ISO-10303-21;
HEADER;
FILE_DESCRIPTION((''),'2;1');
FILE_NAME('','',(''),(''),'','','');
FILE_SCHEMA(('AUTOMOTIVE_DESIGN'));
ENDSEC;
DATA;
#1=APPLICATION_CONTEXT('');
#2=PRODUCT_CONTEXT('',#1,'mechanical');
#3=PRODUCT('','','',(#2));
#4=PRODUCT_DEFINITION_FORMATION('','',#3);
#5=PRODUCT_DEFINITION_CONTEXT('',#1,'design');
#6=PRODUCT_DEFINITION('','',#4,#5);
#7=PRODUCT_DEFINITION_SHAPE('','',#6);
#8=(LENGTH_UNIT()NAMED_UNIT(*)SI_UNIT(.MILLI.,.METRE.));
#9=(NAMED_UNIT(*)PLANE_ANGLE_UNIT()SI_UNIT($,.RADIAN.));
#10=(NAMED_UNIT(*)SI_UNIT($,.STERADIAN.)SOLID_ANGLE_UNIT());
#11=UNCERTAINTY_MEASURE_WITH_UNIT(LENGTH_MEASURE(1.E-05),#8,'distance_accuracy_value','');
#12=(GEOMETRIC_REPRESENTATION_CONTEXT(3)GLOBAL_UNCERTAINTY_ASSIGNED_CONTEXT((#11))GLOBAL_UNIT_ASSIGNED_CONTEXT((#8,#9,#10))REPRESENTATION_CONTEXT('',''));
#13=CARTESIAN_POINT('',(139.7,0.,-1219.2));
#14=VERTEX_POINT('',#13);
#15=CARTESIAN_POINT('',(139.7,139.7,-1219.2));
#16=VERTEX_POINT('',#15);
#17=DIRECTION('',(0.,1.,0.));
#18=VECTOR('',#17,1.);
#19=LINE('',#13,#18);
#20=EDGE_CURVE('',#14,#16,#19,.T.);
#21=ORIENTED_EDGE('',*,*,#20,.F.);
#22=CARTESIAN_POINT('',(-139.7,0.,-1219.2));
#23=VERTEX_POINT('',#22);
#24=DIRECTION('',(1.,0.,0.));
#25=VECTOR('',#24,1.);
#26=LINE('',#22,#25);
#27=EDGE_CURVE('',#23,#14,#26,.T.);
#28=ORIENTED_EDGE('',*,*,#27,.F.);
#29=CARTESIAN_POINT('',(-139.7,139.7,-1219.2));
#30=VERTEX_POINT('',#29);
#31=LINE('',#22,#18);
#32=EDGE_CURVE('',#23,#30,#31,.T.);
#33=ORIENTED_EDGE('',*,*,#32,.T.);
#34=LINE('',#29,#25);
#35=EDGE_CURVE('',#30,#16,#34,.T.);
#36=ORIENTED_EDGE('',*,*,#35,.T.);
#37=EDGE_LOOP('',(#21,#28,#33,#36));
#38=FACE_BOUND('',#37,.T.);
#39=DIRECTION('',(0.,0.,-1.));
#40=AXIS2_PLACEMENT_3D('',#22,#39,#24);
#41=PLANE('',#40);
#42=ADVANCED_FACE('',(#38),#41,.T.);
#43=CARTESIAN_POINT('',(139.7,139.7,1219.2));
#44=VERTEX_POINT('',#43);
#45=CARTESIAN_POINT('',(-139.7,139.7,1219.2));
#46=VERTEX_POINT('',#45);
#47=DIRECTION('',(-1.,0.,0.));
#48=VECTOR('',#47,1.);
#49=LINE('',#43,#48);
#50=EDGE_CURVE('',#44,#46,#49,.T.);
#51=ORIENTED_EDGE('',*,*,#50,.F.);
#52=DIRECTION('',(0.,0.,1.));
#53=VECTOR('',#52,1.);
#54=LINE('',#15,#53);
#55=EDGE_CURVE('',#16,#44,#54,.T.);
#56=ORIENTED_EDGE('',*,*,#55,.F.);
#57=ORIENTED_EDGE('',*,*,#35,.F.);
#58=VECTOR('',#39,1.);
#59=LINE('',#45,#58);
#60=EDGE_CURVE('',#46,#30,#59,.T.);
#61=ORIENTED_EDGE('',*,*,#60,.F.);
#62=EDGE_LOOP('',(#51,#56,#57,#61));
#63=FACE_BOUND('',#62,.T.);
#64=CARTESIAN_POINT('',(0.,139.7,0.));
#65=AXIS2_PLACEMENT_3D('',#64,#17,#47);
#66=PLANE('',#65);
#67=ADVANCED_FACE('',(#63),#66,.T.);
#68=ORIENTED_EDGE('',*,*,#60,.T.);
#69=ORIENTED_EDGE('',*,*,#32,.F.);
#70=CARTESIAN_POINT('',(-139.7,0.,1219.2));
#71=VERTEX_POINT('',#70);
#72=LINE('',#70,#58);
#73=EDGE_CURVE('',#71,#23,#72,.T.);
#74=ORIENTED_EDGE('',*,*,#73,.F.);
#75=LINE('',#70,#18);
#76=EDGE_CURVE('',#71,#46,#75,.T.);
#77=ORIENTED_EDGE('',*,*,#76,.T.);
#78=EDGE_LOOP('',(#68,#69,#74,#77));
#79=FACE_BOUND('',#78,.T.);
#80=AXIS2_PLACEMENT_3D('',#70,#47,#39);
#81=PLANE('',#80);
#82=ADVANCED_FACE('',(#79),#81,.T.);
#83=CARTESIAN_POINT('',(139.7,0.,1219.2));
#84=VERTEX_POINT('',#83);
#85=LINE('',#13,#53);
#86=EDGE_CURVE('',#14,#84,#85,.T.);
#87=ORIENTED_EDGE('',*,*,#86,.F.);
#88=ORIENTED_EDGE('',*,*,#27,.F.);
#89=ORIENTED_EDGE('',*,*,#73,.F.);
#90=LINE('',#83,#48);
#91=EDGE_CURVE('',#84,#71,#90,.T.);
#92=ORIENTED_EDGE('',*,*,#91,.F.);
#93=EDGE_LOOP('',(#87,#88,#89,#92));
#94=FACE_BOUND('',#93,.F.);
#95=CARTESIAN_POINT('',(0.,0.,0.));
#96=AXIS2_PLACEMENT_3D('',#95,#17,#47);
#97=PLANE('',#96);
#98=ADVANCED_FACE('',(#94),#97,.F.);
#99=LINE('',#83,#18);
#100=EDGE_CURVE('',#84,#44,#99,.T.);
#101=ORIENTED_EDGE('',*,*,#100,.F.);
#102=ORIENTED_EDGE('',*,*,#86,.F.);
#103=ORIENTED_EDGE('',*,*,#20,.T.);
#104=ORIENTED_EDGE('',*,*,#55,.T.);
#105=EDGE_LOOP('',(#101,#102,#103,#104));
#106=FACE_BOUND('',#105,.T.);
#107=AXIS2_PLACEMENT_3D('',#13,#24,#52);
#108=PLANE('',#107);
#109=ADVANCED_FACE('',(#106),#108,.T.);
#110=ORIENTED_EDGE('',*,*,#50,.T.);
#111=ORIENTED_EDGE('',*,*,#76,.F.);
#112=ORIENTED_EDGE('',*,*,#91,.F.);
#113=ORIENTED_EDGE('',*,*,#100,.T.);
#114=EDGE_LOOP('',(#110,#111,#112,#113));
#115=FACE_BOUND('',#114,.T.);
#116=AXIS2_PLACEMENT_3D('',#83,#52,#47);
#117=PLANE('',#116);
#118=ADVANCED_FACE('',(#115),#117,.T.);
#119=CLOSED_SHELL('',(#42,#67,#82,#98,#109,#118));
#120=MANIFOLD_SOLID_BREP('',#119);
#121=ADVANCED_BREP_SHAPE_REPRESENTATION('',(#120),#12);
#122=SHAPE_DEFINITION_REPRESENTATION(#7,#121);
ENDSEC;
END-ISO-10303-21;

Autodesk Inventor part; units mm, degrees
ref_plane "YZ Plane" through (0, 0, 0) normal (1, 0, 0) x (0, 1, 0)
ref_plane "XZ Plane" through (0, 0, 0) normal (0, 1, 0) x (-1, 0, 0)
ref_plane "XY Plane" through (0, 0, 0) normal (0, 0, 1) x (1, 0, 0)
sketch "Sketch1" plane through (0, 0, 0) normal (0, 1, 0) x (-1, 0, 0)
  line L0 (-139.7, 1219.2) -> (139.7, 1219.2)
  line L1 (139.7, 1219.2) -> (139.7, -1219.2)
  line L2 (139.7, -1219.2) -> (-139.7, -1219.2)
  line L3 (-139.7, -1219.2) -> (-139.7, 1219.2)
  line L4 (-139.7, 1219.2) -> (139.7, -1219.2) construction
  line L5 (139.7, 1219.2) -> (-139.7, -1219.2) construction
  point P0 (0, 0)
  dimension "d0" = 279.4
  dimension "d1" = 2438.4
extrude "Extrusion1" add sketch "Sketch1" along normal blind 139.7
sketch "Sketch2" plane through (139.7, 0, 1219.2) normal (1, 0, 0) x (0, 0, -1)
  line L0 (0, 0) -> (0, 139.7) projected
  line L1 (0, 139.7) -> (487.68, 139.7)
  line L2 (0, 139.7) -> (2438.4, 139.7) projected
  line L3 (487.68, 139.7) -> (975.36, 139.7)
  line L4 (975.36, 139.7) -> (1463.04, 139.7)
  line L5 (1463.04, 139.7) -> (1950.72, 139.7)
  line L6 (1950.72, 139.7) -> (2438.4, 139.7)
  point P0 (1219.2, 0)
  dimension "d4" = 487.68
  dimension "d5" = 487.68
  dimension "d6" = 487.68
  dimension "d7" = 487.68
properties part number "mars rover landscape part 2"
